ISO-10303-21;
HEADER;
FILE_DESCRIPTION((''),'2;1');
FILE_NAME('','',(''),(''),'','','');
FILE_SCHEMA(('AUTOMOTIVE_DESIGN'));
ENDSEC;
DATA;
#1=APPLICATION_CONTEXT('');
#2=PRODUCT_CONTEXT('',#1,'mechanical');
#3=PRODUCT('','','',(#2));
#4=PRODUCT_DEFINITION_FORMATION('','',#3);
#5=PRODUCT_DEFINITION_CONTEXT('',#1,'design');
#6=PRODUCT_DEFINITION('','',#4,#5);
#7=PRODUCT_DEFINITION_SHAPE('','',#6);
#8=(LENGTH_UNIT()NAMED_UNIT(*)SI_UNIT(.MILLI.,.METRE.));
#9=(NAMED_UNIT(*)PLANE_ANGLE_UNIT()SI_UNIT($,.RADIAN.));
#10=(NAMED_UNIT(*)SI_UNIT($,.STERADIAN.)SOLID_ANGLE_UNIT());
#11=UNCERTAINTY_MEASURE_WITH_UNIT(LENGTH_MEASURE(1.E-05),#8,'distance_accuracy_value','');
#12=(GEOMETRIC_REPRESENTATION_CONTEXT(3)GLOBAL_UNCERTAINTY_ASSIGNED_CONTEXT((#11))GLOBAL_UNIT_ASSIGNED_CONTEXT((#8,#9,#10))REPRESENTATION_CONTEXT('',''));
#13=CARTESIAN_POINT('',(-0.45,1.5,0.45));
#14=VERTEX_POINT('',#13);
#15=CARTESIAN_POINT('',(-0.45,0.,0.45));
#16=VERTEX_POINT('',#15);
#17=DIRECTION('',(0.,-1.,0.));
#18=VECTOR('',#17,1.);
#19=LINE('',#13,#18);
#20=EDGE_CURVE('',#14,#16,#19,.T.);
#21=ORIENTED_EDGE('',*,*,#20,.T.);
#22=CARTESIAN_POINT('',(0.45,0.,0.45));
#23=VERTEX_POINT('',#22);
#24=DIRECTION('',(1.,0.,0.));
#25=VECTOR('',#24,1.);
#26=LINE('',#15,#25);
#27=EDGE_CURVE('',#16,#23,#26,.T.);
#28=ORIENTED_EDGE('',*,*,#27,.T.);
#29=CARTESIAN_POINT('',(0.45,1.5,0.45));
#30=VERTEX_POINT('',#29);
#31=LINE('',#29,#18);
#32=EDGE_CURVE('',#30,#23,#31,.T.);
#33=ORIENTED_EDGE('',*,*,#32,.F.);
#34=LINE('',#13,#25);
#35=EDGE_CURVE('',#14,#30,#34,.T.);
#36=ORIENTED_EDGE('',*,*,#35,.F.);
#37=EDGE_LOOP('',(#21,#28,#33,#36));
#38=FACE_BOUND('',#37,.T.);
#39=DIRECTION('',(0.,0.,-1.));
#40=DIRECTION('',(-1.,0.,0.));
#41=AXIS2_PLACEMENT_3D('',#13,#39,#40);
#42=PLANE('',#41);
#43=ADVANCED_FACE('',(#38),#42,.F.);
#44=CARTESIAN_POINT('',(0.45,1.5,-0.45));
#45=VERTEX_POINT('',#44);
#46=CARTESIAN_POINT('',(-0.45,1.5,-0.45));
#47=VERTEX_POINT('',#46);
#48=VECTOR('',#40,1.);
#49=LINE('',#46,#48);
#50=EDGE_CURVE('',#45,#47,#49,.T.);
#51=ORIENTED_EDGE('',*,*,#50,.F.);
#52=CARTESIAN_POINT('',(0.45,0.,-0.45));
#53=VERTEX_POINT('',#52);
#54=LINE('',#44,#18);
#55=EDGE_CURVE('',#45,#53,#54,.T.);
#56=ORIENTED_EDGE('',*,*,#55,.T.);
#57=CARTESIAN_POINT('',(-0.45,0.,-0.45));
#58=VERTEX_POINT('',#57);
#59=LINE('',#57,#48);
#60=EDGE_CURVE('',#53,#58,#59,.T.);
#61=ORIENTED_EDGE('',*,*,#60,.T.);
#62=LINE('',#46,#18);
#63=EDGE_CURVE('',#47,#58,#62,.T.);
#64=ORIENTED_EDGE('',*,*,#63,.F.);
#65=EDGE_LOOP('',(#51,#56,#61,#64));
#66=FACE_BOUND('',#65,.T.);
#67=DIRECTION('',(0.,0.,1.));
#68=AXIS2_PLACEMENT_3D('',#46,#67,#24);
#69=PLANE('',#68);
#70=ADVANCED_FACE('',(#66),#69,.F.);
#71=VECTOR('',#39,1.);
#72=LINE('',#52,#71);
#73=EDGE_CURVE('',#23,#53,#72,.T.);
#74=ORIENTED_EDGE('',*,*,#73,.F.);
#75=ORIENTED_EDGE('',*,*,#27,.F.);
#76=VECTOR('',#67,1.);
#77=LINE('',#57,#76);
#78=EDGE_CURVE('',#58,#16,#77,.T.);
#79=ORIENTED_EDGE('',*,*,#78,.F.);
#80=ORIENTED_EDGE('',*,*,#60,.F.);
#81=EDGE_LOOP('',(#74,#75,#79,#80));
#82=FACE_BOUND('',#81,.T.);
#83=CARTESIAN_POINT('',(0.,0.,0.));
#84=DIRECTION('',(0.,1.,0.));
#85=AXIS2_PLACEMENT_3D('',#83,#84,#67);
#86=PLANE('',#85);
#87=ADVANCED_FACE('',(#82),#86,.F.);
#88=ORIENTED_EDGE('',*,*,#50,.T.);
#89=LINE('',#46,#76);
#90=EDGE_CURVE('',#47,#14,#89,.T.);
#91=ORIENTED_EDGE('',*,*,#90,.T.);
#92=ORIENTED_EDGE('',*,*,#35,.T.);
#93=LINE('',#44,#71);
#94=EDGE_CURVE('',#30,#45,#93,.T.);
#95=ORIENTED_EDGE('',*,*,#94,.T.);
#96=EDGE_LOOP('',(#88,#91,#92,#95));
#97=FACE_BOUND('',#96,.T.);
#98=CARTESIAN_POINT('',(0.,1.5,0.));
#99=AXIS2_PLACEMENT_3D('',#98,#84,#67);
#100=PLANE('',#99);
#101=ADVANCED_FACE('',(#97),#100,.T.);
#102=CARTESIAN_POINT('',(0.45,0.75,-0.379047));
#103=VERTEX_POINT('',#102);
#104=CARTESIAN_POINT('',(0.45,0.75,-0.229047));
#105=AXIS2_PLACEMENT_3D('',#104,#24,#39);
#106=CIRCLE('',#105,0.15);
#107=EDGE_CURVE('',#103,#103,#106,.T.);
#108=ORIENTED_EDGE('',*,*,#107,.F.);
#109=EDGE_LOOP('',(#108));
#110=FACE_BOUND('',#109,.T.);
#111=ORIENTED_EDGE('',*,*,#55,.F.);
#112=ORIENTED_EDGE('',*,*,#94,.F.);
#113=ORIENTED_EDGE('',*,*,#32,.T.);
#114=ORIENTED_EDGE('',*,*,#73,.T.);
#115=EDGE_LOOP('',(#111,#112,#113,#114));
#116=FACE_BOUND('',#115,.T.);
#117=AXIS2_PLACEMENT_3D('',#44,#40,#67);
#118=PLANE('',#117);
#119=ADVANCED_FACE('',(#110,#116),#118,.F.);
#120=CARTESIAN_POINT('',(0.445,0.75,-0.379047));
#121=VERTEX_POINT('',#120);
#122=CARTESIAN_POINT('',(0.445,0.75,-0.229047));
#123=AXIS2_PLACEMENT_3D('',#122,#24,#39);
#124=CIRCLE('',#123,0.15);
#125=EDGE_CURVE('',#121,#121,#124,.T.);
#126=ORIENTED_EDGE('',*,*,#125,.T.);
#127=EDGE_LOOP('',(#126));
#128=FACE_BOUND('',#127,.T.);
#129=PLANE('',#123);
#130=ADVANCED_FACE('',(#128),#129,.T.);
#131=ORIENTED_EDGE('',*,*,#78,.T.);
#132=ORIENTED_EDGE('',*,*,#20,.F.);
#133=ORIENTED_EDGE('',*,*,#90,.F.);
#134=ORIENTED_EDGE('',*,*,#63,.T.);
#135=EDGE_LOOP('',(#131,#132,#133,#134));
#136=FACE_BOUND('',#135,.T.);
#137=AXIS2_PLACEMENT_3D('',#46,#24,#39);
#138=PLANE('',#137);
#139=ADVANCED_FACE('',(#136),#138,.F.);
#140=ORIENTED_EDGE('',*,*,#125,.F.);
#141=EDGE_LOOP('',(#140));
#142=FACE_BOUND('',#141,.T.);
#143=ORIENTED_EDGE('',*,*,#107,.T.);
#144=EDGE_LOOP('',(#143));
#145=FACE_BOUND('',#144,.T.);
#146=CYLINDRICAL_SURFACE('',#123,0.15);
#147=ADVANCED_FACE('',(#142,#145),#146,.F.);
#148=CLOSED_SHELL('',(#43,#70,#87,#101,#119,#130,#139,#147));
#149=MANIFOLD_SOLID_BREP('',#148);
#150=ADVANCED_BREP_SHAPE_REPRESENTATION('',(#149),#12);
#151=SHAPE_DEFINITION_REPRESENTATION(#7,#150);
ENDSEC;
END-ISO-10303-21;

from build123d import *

# Parameters (mm, degrees)
SKETCH1_W           = 0.9
SKETCH1_H           = 0.9
BOSS_EXTRUDE1_DEPTH = 1.5
SKETCH2_R           = 0.15
CUT_EXTRUDE1_DEPTH  = 0.005


with BuildPart() as part:
    # Sketch1 → Boss-Extrude1 (new body)
    with BuildSketch(Plane(origin=(0, 0, 0), x_dir=(1, 0, 0), z_dir=(0, 1, 0))):
        Rectangle(SKETCH1_W, SKETCH1_H)
    extrude(amount=BOSS_EXTRUDE1_DEPTH)

    # Sketch2 → Cut-Extrude1 (cut)
    with BuildSketch(Plane(origin=(0.45, 0, 0), x_dir=(0, 0, -1), z_dir=(1, 0, 0))):
        with Locations((0.229047371, 0.75)):
            Circle(SKETCH2_R)
    extrude(amount=-CUT_EXTRUDE1_DEPTH, mode=Mode.SUBTRACT)


solid = part.part
